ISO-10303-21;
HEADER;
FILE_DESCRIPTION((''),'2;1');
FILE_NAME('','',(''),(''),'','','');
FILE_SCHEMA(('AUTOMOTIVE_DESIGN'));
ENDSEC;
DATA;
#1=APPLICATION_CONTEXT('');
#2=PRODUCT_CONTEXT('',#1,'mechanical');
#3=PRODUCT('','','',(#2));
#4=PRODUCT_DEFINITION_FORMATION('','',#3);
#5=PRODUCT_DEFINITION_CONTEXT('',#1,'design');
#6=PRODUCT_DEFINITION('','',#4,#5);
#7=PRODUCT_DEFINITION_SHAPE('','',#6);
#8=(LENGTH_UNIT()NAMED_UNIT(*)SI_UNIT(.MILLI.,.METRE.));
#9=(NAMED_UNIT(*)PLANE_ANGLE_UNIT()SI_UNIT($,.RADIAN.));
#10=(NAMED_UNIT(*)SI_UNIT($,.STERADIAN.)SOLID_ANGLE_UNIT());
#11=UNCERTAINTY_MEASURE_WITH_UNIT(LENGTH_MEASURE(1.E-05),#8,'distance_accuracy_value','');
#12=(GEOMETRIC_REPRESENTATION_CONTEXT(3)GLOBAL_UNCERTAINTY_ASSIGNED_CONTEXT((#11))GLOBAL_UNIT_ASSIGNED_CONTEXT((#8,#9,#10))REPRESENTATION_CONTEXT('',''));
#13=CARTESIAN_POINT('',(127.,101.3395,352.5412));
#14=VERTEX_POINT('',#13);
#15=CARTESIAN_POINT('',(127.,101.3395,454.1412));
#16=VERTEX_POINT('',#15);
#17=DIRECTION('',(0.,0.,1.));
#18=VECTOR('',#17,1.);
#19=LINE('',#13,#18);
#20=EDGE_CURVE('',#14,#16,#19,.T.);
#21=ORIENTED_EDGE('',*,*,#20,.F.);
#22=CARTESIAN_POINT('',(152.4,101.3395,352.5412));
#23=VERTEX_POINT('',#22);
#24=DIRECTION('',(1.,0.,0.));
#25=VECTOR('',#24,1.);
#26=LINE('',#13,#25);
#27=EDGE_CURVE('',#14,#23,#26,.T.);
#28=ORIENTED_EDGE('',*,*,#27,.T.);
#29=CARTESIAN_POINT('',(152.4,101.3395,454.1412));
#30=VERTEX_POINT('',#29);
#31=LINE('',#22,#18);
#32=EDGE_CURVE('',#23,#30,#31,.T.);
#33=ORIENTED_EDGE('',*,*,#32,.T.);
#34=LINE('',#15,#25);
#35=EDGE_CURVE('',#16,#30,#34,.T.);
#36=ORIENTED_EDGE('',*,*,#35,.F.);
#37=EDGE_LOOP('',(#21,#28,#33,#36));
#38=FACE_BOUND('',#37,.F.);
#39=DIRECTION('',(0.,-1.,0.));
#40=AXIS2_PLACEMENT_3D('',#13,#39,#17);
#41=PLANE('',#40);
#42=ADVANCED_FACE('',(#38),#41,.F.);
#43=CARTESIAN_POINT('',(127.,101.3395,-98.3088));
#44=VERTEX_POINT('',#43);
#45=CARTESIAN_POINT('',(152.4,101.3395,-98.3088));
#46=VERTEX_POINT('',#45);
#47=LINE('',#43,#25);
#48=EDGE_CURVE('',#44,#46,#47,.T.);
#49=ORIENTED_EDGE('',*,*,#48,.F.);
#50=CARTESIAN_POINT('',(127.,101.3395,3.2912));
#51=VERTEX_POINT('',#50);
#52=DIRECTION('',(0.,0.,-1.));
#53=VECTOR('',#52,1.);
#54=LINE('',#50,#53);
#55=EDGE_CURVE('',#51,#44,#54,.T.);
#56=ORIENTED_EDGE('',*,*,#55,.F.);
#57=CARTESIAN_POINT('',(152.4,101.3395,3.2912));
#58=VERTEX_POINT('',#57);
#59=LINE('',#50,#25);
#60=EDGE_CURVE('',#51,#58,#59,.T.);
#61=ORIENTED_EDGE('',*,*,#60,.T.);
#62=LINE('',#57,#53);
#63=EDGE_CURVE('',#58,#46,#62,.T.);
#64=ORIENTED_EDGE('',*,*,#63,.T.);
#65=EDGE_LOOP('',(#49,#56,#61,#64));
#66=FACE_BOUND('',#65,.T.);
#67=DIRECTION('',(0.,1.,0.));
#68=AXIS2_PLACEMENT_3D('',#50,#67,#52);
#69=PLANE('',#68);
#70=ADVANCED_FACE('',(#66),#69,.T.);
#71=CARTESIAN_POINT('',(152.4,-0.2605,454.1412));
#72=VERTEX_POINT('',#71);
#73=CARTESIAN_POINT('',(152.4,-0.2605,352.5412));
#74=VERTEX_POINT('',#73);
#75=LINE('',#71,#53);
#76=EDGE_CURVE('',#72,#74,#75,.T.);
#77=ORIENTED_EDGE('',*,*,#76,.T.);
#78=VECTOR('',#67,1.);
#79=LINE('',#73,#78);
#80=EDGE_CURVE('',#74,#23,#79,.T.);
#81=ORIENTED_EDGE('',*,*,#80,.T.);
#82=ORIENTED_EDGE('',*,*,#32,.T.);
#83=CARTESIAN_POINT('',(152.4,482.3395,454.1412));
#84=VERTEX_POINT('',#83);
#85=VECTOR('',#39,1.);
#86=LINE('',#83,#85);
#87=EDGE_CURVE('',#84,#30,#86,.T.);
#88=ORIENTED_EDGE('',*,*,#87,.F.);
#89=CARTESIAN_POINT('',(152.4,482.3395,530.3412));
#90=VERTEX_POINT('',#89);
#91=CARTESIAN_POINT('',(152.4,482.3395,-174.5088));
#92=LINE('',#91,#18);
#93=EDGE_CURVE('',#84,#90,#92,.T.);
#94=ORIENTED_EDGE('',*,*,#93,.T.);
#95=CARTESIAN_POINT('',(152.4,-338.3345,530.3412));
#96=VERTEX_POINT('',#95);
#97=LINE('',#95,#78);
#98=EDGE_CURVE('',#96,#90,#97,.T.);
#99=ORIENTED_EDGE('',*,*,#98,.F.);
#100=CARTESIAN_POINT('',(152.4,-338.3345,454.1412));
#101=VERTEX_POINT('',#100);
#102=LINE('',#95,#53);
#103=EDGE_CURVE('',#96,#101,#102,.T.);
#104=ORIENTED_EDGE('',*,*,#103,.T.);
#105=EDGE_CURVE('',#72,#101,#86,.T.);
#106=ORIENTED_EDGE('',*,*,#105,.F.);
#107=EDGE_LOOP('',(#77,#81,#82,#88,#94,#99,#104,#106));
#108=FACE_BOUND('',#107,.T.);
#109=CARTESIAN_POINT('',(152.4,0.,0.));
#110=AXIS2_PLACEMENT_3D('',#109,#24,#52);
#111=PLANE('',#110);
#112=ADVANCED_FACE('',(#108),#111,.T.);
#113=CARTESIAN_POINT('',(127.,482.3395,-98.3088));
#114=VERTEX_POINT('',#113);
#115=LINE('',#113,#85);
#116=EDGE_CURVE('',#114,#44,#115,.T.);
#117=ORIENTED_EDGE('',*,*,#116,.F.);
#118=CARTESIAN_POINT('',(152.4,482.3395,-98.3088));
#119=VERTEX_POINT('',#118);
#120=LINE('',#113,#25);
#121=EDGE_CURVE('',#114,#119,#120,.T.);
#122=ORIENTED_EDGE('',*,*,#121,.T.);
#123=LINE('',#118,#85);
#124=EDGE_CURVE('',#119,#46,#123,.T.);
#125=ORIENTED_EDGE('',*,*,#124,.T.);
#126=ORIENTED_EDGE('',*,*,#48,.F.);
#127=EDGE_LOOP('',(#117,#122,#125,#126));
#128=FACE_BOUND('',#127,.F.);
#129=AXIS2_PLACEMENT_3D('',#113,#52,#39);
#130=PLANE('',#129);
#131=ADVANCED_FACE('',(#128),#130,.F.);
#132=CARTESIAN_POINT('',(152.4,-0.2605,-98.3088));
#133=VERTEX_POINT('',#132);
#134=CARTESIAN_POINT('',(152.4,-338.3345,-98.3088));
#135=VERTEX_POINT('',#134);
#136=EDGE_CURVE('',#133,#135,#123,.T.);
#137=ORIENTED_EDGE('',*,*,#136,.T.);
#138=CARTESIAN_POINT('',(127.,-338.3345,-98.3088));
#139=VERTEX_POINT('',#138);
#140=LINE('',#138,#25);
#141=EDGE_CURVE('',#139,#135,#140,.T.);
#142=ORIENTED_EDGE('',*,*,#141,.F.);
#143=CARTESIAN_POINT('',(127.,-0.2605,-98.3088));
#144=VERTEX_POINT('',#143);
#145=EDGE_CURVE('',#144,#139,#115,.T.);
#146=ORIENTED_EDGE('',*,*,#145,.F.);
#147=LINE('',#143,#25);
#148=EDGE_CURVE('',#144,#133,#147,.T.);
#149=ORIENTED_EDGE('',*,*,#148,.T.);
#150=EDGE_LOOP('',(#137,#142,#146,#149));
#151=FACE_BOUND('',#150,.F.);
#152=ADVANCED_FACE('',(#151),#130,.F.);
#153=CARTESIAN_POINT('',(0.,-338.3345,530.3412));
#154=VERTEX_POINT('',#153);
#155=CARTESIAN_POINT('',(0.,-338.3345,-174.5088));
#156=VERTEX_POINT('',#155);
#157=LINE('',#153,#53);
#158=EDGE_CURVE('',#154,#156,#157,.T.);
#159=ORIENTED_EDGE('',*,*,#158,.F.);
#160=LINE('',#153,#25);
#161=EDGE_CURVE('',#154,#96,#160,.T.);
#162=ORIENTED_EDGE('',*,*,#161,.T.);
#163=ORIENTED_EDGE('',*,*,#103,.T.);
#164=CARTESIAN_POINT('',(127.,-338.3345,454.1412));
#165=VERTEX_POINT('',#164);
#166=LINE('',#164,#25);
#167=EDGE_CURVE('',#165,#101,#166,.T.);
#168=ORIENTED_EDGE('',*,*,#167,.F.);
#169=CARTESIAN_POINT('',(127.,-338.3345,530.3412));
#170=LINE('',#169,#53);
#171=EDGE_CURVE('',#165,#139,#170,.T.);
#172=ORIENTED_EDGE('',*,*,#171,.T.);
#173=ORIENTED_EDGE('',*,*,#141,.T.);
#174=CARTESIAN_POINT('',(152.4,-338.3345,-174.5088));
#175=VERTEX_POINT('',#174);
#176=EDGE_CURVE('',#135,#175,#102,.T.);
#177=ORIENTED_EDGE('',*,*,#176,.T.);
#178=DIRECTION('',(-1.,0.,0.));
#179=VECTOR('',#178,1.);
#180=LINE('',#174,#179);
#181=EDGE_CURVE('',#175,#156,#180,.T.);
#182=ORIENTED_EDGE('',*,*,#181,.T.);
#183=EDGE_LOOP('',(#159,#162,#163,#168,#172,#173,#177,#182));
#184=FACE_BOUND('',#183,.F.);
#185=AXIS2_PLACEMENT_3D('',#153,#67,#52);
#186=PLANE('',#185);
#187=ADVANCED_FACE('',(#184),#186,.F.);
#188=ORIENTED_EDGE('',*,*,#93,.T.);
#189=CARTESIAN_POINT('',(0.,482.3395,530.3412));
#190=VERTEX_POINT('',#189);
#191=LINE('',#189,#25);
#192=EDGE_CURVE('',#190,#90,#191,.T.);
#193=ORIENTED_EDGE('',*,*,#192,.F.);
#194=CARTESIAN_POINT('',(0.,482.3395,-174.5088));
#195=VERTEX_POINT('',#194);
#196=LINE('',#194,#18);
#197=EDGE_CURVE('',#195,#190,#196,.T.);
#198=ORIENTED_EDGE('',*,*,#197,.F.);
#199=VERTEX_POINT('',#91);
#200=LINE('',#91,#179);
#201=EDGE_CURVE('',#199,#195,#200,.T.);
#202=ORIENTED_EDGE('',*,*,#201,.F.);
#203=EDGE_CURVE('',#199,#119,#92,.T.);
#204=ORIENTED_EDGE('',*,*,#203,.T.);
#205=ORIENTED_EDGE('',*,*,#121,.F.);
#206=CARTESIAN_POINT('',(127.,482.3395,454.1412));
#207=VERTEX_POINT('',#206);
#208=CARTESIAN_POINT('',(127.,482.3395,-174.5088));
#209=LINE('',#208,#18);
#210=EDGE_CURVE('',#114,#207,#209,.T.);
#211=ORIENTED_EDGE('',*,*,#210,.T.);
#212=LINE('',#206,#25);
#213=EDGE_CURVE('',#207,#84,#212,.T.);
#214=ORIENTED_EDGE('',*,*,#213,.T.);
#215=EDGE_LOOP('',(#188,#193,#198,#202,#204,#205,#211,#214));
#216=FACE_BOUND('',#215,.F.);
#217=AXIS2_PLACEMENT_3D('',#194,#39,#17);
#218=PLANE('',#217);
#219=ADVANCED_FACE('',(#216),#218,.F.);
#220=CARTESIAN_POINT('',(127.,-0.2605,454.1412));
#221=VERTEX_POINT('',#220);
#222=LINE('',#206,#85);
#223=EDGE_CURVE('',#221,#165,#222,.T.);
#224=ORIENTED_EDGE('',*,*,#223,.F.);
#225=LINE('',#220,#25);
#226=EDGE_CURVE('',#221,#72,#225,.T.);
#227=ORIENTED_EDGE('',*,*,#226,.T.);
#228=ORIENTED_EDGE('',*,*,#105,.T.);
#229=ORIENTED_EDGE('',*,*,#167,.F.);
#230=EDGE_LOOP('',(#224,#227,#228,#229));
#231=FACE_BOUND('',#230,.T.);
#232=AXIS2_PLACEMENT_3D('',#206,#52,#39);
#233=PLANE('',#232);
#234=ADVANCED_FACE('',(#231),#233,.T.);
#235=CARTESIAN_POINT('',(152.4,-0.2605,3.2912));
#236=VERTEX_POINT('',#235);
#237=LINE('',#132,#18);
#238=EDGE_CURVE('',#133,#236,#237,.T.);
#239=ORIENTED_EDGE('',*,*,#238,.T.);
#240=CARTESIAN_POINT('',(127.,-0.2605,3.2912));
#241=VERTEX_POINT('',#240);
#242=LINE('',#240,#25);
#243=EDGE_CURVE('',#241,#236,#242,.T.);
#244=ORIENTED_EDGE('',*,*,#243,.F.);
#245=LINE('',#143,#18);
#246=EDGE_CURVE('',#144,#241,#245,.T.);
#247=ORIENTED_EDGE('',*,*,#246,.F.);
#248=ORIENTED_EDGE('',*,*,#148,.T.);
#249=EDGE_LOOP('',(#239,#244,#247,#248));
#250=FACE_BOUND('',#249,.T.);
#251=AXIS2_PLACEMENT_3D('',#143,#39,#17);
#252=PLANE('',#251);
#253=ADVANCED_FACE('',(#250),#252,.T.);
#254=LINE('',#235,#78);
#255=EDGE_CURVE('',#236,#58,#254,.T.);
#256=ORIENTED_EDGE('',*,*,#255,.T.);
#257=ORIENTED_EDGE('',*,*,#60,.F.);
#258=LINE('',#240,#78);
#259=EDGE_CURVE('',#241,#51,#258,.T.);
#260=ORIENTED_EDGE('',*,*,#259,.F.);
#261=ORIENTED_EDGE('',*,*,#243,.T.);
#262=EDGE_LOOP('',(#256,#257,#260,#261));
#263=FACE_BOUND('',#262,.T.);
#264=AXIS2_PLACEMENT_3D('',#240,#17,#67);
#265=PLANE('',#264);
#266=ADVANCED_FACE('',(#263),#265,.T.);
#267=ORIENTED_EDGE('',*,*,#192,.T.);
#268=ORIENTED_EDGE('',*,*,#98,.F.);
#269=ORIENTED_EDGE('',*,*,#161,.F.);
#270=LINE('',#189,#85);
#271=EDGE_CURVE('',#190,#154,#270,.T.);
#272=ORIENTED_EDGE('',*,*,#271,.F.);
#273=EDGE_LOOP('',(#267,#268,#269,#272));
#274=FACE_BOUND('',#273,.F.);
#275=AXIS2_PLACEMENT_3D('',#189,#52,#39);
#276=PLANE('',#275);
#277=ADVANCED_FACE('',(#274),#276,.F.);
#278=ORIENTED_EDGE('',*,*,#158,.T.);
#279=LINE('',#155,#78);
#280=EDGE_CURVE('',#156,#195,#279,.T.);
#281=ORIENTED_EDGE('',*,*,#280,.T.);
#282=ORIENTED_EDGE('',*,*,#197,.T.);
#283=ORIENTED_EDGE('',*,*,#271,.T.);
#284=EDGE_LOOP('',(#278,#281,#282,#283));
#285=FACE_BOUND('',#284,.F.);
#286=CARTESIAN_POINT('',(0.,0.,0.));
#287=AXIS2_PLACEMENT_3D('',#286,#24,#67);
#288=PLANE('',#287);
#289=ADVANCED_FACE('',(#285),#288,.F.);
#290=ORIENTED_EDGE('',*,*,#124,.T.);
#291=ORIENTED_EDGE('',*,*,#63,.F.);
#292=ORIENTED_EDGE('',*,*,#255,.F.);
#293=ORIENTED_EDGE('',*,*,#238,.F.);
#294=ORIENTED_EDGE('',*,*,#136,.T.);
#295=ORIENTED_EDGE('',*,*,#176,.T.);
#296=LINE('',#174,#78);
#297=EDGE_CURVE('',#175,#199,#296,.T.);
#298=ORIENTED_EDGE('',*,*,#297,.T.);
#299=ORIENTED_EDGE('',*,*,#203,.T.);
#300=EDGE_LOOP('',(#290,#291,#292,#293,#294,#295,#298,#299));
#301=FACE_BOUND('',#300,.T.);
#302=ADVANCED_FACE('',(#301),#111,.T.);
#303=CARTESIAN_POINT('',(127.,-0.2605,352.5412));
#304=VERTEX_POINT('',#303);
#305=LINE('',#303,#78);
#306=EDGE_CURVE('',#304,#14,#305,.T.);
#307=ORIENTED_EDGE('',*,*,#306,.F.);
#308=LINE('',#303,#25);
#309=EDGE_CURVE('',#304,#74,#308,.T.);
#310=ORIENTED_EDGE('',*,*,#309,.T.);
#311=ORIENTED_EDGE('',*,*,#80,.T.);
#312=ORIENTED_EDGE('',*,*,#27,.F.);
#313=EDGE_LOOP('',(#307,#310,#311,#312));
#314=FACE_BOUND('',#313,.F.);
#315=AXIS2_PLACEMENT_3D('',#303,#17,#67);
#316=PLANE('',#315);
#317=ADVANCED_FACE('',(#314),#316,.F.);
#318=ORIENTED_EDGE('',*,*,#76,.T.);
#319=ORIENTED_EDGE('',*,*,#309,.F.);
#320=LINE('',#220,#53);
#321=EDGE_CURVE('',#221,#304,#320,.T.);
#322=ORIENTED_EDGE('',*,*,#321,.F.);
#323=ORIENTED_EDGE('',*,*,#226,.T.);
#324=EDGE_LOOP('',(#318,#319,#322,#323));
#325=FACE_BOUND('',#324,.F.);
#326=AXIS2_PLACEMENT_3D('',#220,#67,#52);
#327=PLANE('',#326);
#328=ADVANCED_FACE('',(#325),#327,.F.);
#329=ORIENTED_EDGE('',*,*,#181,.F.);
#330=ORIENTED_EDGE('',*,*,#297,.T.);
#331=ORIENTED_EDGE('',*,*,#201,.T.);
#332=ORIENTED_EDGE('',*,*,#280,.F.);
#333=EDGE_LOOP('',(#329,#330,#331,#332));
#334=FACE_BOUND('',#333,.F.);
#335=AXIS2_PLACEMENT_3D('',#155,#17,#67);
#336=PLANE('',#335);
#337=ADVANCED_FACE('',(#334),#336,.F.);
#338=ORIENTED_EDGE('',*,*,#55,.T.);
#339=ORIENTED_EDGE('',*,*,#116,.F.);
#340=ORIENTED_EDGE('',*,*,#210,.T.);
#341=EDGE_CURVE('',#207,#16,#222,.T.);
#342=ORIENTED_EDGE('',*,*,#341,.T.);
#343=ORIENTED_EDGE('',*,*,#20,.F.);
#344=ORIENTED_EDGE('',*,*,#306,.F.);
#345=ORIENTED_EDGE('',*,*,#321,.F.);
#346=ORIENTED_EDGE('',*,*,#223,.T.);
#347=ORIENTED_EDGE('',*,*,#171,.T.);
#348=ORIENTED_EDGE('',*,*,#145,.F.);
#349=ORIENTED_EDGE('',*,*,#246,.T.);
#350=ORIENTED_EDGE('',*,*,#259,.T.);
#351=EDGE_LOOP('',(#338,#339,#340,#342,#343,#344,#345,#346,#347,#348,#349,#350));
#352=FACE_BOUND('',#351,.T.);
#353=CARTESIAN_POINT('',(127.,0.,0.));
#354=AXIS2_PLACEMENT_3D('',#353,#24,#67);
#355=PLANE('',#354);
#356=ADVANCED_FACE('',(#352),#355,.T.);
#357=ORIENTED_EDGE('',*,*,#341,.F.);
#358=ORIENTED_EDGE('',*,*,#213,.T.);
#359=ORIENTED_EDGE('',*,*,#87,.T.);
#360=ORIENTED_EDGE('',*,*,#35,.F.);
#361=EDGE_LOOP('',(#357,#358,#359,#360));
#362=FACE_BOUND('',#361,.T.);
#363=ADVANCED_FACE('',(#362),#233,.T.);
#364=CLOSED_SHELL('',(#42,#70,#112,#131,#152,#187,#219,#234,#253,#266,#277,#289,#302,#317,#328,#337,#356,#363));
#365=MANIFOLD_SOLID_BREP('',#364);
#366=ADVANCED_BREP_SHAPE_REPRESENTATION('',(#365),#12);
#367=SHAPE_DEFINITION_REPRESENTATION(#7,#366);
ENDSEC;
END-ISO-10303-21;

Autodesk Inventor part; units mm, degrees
ref_plane "YZ Plane" through (0, 0, 0) normal (1, 0, 0) x (0, 1, 0)
ref_plane "XZ Plane" through (0, 0, 0) normal (0, 1, 0) x (-1, 0, 0)
ref_plane "XY Plane" through (0, 0, 0) normal (0, 0, 1) x (1, 0, 0)
sketch "Sketch1" plane through (0, 0, 0) normal (1, 0, 0) x (0, 1, 0)
  line L0 (482.3395, 530.3412) -> (-338.3345, 530.3412)
  line L1 (-338.3345, 530.3412) -> (-338.3345, -174.5088)
  line L2 (-338.3345, -174.5088) -> (482.3395, -174.5088)
  line L3 (482.3395, -174.5088) -> (482.3395, 530.3412)
  point P0 (0, 0)
  dimension "d0" = 820.674
  dimension "d1" = 704.85
extrude "Extrusion1" add sketch "Sketch1" along normal blind 127
sketch "Sketch2" plane through (127, 0, 0) normal (1, 0, 0) x (0, 0, -1)
  line L0 (174.5088, 482.3395) -> (-530.3412, 482.3395) projected
  line L1 (-530.3412, -338.3345) -> (174.5088, -338.3345) projected
  line L2 (-530.3412, 482.3395) -> (-454.1412, 482.3395)
  line L3 (-454.1412, 482.3395) -> (-454.1412, -338.3345)
  line L4 (-454.1412, -338.3345) -> (-530.3412, -338.3345)
  line L5 (-530.3412, -338.3345) -> (-530.3412, 482.3395)
  line L6 (174.5088, 482.3395) -> (98.3088, 482.3395)
  line L7 (98.3088, 482.3395) -> (98.3088, -338.3345)
  line L8 (98.3088, -338.3345) -> (174.5088, -338.3345)
  line L9 (174.5088, -338.3345) -> (174.5088, 482.3395)
  line L10 (174.5088, -338.3345) -> (174.5088, 482.3395) projected
  point P0 (0, 0)
  dimension "d4" = 76.2
  dimension "d5" = 76.2
  dimension "d6" = 0
extrude "Extrusion2" add sketch "Sketch2" along normal blind 25.4 contours L9 L1 L7 L0 | L3 L1 L5 L0
sketch "Sketch3" plane through (127, 0, 0) normal (1, 0, 0) x (0, 0, -1)
  line L0 (-454.1412, 482.3395) -> (-454.1412, -338.3345) projected
  line L1 (-352.5412, 101.3395) -> (-454.1412, 101.3395)
  line L2 (-454.1412, 101.3395) -> (-454.1412, -0.2605)
  line L3 (-454.1412, -0.2605) -> (-352.5412, -0.2605)
  line L4 (-352.5412, -0.2605) -> (-352.5412, 101.3395)
  line L5 (98.3088, -338.3345) -> (98.3088, 482.3395) projected
  line L6 (-3.2912, 101.3395) -> (98.3088, 101.3395)
  line L7 (98.3088, 101.3395) -> (98.3088, -0.2605)
  line L8 (98.3088, -0.2605) -> (-3.2912, -0.2605)
  line L9 (-3.2912, -0.2605) -> (-3.2912, 101.3395)
  line L10 (98.3088, 482.3395) -> (-454.1412, 482.3395) projected
  point P0 (0, 0)
  dimension "d9" = 101.6
  dimension "d10" = 101.6
  dimension "d11" = 101.6
  dimension "d12" = 101.6
  dimension "d13" = 381
extrude "Extrusion3" add sketch "Sketch3" along normal blind 25.4
properties part number "BlockBase"
